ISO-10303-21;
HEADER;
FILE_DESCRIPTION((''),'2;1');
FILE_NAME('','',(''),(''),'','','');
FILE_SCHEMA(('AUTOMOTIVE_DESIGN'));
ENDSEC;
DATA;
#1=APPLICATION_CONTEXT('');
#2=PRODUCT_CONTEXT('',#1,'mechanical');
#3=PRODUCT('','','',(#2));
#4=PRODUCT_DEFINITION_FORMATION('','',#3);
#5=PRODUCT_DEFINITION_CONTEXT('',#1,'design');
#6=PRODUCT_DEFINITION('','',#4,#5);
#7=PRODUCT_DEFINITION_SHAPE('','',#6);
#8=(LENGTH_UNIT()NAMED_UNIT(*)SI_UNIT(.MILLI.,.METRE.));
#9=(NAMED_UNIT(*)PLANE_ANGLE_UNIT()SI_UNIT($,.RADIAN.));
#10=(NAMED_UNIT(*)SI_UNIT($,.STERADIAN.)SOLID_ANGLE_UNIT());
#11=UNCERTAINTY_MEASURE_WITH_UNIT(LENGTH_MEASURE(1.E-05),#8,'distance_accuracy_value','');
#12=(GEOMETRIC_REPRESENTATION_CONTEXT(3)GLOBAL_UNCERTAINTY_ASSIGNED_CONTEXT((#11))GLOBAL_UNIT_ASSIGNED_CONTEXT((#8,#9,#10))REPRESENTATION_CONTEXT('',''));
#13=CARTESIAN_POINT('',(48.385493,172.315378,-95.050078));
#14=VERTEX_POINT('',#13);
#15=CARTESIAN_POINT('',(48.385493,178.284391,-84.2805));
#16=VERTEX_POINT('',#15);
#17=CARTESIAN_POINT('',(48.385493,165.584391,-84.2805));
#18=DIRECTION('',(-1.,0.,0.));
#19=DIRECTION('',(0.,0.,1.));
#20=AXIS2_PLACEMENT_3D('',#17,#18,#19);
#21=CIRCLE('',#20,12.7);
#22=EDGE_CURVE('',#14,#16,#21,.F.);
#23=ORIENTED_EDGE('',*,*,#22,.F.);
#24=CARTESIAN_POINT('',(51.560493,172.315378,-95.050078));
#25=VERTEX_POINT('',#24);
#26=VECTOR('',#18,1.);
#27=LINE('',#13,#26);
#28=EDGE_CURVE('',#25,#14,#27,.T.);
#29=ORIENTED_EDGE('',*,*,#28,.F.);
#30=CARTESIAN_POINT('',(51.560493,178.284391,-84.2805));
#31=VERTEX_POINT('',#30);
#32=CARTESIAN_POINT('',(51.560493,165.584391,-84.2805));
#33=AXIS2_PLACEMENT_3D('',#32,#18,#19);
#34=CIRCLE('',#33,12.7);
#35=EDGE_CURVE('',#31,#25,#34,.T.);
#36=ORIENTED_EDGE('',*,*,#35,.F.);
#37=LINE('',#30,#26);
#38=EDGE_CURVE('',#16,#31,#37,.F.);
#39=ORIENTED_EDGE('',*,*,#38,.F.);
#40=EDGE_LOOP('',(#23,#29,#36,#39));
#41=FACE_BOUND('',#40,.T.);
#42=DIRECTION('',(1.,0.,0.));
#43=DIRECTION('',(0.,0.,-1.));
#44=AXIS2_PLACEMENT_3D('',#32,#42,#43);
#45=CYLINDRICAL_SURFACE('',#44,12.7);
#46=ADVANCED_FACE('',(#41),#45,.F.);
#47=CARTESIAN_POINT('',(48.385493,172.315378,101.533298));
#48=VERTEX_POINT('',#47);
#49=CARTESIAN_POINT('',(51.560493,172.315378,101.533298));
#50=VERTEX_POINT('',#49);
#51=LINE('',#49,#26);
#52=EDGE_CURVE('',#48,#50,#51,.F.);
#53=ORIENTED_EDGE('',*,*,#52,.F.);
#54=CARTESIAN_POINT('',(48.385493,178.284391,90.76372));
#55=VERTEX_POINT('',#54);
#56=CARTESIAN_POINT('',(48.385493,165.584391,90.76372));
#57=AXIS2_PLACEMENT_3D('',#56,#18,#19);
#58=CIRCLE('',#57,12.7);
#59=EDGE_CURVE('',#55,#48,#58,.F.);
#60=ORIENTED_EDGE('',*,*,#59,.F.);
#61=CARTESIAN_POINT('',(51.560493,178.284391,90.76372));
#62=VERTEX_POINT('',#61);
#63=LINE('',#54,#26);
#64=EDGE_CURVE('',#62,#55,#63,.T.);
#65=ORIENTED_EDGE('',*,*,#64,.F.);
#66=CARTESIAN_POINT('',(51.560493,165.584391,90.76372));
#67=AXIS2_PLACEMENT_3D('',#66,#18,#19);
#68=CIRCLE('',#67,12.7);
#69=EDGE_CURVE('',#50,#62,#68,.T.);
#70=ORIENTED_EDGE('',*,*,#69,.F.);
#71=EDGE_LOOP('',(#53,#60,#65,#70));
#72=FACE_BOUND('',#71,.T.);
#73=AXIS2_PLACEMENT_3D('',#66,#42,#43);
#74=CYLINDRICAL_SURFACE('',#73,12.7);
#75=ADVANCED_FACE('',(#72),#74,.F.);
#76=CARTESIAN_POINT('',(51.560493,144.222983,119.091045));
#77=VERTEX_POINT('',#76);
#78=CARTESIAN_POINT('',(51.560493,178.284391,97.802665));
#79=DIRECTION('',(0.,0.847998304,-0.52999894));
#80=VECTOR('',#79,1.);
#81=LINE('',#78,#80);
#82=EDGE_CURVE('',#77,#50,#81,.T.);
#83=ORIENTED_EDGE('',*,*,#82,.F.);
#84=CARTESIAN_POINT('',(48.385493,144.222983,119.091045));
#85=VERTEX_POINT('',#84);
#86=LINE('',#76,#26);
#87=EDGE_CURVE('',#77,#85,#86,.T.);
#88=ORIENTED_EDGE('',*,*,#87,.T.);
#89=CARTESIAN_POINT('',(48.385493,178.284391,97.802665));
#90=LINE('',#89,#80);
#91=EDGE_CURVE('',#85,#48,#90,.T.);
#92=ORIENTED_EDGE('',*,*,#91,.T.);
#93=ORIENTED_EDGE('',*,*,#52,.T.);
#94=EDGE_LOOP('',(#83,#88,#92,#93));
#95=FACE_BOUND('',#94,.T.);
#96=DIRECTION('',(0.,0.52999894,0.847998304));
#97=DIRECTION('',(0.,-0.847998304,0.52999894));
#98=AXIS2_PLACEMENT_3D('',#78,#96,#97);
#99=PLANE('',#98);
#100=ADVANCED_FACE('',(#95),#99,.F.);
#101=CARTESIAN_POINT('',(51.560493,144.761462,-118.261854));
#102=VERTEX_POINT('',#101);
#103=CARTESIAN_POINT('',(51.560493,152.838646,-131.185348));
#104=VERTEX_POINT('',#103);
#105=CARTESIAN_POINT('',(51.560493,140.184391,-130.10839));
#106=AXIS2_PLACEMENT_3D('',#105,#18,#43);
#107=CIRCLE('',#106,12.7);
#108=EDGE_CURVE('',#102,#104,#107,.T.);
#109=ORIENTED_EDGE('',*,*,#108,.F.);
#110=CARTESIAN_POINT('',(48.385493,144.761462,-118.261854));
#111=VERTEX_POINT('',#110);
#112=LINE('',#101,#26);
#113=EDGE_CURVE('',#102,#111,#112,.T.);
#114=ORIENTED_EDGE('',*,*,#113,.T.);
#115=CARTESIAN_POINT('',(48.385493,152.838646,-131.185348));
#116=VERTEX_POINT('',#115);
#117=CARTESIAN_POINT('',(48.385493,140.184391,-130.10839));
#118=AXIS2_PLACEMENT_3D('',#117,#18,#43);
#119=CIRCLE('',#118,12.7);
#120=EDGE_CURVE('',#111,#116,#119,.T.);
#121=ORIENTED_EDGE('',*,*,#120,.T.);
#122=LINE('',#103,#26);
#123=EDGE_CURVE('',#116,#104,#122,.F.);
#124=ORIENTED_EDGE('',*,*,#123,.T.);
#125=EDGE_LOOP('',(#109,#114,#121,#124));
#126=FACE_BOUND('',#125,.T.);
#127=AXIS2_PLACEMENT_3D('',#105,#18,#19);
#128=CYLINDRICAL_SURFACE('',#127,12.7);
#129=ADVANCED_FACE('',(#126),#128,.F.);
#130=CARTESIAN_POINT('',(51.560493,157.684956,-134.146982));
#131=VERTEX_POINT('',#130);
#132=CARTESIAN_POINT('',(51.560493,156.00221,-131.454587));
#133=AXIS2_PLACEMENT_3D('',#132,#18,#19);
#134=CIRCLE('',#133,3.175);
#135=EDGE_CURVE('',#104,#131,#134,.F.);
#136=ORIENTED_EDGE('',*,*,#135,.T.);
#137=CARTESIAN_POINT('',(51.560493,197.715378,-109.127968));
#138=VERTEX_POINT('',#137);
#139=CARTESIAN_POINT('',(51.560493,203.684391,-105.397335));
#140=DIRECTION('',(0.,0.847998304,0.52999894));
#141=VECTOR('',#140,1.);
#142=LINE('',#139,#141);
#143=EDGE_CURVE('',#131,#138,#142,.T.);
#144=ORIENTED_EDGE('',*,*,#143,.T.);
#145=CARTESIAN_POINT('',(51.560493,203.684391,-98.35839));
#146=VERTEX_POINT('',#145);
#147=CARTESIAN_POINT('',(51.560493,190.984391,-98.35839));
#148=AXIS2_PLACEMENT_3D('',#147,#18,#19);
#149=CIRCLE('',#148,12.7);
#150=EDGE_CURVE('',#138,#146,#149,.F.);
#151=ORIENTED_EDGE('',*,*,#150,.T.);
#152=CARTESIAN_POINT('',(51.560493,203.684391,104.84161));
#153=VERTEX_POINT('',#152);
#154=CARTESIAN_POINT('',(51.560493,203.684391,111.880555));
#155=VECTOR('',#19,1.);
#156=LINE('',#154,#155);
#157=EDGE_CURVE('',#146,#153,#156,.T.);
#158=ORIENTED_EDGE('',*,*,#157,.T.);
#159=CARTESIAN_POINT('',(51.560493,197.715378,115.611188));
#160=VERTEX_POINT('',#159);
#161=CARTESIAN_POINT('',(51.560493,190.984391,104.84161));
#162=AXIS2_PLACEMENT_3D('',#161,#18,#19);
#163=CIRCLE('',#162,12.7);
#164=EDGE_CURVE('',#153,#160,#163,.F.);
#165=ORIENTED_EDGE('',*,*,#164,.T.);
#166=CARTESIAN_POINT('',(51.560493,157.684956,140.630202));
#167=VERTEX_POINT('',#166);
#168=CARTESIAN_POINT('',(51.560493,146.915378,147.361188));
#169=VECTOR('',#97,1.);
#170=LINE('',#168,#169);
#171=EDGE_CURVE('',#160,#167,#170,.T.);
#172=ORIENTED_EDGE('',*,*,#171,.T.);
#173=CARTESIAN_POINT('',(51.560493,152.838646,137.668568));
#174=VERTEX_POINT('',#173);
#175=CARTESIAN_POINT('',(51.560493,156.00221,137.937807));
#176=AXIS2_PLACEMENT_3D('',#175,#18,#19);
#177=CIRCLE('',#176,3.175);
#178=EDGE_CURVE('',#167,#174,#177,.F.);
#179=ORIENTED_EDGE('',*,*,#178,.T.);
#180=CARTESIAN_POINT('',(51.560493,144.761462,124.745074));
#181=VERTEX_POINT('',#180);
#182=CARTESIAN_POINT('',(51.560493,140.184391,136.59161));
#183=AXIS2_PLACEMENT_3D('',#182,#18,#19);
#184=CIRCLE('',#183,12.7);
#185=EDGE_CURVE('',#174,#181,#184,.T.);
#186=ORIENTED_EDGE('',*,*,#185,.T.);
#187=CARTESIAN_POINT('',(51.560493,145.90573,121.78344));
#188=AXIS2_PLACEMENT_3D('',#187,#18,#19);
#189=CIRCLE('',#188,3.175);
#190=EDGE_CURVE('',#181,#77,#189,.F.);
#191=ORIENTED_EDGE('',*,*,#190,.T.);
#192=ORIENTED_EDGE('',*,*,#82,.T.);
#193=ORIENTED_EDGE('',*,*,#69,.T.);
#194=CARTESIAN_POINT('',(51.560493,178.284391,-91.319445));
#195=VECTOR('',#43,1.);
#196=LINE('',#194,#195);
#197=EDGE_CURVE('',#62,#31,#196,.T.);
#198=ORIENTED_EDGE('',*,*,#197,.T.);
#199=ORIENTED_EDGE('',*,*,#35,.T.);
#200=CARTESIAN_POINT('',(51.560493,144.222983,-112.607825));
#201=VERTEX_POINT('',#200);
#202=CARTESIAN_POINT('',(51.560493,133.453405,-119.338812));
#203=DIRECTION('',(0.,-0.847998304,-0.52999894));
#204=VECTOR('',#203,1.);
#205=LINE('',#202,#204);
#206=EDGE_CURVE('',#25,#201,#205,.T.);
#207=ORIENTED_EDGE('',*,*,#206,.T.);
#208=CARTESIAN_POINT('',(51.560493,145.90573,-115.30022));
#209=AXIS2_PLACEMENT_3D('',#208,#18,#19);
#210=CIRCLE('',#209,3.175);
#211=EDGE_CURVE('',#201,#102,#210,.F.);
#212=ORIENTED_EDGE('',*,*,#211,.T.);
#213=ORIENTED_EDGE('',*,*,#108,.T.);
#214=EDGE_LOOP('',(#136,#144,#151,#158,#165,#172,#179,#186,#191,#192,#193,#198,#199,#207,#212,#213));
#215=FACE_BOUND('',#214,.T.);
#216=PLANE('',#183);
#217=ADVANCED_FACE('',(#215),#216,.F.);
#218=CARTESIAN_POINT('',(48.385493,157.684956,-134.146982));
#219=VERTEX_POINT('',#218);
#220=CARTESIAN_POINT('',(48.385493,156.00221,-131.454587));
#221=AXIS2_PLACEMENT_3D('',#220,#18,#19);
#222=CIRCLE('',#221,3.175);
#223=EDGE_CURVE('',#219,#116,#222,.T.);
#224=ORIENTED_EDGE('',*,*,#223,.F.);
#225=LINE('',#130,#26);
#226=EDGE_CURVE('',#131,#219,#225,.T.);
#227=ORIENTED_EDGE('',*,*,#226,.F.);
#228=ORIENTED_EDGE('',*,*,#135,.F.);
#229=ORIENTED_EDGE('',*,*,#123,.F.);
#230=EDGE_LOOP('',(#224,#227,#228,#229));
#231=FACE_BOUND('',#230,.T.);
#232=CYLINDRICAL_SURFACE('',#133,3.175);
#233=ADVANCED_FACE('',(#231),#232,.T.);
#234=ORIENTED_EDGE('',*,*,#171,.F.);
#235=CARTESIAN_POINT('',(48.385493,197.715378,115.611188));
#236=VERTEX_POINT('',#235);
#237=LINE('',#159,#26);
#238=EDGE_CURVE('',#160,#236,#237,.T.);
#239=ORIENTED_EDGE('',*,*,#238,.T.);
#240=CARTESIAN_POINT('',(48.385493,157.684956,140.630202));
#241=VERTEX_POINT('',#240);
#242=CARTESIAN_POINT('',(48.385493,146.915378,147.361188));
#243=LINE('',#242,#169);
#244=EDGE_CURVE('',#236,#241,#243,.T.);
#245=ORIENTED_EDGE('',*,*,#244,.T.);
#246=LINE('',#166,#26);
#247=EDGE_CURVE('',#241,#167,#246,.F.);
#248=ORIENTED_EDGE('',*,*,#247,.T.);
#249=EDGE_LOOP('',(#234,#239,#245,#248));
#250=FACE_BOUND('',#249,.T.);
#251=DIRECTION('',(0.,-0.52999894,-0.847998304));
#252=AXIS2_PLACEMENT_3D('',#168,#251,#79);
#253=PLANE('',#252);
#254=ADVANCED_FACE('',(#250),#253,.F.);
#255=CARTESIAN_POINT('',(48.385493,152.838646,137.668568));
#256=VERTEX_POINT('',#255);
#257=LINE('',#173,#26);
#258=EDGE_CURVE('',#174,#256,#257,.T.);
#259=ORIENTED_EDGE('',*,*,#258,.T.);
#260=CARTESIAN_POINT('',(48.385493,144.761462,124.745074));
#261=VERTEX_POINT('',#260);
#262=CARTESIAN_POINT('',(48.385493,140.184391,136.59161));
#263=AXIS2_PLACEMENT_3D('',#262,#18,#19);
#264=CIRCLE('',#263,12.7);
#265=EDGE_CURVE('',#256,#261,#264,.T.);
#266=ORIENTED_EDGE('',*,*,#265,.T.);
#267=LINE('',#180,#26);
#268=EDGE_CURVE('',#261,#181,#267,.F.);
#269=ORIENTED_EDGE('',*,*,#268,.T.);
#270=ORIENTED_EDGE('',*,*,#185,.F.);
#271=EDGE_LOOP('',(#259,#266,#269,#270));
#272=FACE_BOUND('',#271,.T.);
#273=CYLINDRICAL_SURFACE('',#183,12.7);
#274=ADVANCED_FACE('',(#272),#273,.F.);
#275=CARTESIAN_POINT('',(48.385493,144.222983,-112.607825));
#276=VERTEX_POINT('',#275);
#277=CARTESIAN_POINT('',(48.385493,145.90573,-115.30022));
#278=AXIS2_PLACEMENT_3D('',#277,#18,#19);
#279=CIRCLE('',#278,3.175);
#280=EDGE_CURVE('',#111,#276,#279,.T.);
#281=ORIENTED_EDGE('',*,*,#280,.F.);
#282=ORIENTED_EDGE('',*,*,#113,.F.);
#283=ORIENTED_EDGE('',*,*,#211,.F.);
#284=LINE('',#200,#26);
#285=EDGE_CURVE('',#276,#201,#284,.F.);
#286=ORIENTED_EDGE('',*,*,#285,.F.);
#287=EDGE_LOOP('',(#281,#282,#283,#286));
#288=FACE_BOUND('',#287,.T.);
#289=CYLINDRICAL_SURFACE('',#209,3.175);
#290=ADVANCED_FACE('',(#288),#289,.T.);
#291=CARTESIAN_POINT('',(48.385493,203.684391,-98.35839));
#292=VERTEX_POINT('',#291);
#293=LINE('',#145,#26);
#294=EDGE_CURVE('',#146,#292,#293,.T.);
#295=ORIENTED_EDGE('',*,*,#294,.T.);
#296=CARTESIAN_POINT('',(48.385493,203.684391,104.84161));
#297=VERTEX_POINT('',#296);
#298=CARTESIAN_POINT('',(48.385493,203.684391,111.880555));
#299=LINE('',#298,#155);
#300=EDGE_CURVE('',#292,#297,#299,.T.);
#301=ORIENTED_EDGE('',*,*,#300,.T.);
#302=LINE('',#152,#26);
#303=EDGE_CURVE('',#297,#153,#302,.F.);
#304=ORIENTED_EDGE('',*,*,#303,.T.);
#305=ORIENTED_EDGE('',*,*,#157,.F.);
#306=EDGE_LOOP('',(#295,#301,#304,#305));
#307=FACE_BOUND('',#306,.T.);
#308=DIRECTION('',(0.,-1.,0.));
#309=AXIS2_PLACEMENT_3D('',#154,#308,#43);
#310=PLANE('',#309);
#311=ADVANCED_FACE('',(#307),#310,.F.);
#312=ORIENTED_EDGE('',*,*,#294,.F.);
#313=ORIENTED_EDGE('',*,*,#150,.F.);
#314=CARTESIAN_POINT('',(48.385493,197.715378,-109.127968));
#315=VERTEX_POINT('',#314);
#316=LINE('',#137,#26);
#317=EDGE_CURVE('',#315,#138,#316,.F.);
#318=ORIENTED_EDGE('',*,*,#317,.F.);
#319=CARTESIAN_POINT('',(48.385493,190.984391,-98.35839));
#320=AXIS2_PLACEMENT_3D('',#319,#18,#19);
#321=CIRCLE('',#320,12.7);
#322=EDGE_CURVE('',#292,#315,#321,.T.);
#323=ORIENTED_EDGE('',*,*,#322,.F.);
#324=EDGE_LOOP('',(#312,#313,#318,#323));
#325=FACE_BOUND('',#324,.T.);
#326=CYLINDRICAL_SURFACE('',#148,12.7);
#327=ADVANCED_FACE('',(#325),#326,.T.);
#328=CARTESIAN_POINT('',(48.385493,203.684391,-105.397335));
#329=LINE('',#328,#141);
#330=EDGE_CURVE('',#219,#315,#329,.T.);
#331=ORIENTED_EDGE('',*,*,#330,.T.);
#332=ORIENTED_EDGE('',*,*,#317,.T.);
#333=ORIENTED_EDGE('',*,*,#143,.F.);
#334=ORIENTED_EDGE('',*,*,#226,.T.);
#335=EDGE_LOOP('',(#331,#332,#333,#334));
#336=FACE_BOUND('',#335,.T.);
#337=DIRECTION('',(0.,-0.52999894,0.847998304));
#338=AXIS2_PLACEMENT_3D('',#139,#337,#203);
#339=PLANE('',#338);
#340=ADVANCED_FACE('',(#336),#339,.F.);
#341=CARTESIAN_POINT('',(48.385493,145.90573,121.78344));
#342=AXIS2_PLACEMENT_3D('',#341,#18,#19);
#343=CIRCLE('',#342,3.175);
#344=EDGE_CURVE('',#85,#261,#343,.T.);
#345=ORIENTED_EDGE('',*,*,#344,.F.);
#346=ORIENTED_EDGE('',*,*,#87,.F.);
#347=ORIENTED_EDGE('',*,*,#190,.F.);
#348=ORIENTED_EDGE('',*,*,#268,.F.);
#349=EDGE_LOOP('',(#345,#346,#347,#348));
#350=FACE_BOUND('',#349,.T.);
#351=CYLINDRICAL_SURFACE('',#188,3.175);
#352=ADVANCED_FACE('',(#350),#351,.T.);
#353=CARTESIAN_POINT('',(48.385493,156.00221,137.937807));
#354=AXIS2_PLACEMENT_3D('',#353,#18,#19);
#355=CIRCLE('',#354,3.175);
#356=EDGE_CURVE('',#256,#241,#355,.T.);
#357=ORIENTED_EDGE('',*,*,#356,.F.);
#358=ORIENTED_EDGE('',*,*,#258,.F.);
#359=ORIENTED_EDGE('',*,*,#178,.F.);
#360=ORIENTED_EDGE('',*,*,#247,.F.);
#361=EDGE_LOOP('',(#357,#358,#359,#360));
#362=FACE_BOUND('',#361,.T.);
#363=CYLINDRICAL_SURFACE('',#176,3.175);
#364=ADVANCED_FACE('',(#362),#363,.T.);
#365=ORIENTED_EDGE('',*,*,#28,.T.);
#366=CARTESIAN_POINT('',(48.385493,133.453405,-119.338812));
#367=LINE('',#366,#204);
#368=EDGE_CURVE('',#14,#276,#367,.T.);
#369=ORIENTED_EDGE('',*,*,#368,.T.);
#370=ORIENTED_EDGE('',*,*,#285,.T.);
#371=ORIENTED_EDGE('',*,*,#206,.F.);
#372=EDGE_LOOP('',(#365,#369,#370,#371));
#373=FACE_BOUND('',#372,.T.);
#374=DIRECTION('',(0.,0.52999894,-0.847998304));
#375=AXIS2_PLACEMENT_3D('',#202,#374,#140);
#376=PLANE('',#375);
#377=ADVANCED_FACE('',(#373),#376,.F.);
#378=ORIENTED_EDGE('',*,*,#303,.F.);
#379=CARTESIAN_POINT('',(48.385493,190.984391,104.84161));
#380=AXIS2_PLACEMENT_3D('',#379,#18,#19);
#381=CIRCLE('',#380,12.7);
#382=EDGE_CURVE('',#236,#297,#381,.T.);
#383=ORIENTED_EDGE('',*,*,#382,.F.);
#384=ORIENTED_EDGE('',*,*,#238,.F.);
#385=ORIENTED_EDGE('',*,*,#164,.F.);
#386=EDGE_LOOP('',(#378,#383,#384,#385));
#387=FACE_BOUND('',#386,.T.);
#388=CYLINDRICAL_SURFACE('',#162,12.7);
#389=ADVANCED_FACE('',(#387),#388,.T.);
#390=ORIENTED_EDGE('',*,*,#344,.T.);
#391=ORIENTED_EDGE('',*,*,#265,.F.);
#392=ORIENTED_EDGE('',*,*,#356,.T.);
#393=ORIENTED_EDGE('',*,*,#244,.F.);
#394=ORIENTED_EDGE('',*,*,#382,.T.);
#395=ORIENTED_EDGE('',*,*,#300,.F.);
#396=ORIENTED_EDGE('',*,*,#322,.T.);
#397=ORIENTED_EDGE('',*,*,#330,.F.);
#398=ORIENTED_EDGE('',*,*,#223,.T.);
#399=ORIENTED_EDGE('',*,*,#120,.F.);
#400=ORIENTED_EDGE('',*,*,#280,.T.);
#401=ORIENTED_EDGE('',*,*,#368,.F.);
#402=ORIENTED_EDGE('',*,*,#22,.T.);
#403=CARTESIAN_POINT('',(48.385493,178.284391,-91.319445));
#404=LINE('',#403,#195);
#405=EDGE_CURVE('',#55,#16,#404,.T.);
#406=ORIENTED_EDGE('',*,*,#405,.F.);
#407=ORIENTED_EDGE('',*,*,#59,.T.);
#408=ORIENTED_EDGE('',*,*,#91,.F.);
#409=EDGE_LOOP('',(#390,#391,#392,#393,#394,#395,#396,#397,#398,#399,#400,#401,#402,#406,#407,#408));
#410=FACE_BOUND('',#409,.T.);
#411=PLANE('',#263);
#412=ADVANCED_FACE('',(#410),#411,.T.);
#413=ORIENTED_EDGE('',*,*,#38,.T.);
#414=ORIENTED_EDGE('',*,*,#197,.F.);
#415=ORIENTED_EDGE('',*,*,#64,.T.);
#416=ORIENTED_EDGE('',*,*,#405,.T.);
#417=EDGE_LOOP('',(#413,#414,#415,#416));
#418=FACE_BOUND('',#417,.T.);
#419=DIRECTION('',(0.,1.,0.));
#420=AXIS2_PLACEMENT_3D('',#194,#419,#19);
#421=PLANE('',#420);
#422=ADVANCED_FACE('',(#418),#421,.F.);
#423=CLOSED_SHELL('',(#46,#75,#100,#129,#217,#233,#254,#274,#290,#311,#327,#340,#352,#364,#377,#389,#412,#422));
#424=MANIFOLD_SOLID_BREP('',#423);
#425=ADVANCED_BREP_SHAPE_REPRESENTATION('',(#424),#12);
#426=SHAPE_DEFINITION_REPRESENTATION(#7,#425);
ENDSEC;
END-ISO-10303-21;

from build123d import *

# Parameters (mm, degrees)
BOSS_EXTRUDE1_DEPTH = 3.175
FILLET1_R           = 3.175
FILLET2_R           = 12.7


with BuildPart() as part:
    # Sketch1 → Boss-Extrude1 (new body)
    with BuildSketch(Plane(origin=(48.385492731365964, 0, 0), x_dir=(0, 0, -1), z_dir=(1, 0, 0))):
        with BuildLine():
            Line((-147.36118847527575, 146.91537779675497), (-111.88055506155092, 203.68439125871458))
            Line((-111.88055506155092, 203.68439125871458), (105.39733503272873, 203.68439125871458))
            Line((105.39733503272873, 203.68439125871458), (140.8779684464535, 146.91537779675497))
            ThreePointArc((140.8779684464535, 146.91537779675497), (123.3774034475485, 150.95396971957916), (119.33881152472429, 133.45340472067417))
            Line((119.33881152472429, 133.45340472067417), (91.31944493844902, 178.28439125871458))
            Line((91.31944493844902, 178.28439125871458), (-97.80266496727123, 178.28439125871458))
            Line((-97.80266496727123, 178.28439125871458), (-125.82203155354657, 133.45340472067417))
            ThreePointArc((-125.82203155354657, 133.45340472067417), (-129.8606234763708, 150.95396971957913), (-147.36118847527575, 146.91537779675497))
        make_face()
    extrude(amount=BOSS_EXTRUDE1_DEPTH)

    # Fillet1
    fillet1_edges = [part.edges().sort_by_distance(p)[0] for p in [
        (49.97299273136596, 146.91537779675497, 147.36118847527575),
        (49.97299273136596, 146.91537779675497, -140.8779684464535),
        (49.97299273136596, 133.45340472067417, -119.33881152472429),
        (49.97299273136596, 133.45340472067417, 125.82203155354657),
    ]]
    fillet(fillet1_edges, radius=FILLET1_R)

    # Fillet2
    fillet2_edges = [part.edges().sort_by_distance(p)[0] for p in [
        (49.97299273136596, 203.68439125871458, 111.88055506155092),
        (49.97299273136596, 203.68439125871458, -105.39733503272873),
        (49.97299273136596, 178.28439125871458, -91.31944493844902),
        (49.97299273136596, 178.28439125871458, 97.80266496727123),
    ]]
    fillet(fillet2_edges, radius=FILLET2_R)


solid = part.part
